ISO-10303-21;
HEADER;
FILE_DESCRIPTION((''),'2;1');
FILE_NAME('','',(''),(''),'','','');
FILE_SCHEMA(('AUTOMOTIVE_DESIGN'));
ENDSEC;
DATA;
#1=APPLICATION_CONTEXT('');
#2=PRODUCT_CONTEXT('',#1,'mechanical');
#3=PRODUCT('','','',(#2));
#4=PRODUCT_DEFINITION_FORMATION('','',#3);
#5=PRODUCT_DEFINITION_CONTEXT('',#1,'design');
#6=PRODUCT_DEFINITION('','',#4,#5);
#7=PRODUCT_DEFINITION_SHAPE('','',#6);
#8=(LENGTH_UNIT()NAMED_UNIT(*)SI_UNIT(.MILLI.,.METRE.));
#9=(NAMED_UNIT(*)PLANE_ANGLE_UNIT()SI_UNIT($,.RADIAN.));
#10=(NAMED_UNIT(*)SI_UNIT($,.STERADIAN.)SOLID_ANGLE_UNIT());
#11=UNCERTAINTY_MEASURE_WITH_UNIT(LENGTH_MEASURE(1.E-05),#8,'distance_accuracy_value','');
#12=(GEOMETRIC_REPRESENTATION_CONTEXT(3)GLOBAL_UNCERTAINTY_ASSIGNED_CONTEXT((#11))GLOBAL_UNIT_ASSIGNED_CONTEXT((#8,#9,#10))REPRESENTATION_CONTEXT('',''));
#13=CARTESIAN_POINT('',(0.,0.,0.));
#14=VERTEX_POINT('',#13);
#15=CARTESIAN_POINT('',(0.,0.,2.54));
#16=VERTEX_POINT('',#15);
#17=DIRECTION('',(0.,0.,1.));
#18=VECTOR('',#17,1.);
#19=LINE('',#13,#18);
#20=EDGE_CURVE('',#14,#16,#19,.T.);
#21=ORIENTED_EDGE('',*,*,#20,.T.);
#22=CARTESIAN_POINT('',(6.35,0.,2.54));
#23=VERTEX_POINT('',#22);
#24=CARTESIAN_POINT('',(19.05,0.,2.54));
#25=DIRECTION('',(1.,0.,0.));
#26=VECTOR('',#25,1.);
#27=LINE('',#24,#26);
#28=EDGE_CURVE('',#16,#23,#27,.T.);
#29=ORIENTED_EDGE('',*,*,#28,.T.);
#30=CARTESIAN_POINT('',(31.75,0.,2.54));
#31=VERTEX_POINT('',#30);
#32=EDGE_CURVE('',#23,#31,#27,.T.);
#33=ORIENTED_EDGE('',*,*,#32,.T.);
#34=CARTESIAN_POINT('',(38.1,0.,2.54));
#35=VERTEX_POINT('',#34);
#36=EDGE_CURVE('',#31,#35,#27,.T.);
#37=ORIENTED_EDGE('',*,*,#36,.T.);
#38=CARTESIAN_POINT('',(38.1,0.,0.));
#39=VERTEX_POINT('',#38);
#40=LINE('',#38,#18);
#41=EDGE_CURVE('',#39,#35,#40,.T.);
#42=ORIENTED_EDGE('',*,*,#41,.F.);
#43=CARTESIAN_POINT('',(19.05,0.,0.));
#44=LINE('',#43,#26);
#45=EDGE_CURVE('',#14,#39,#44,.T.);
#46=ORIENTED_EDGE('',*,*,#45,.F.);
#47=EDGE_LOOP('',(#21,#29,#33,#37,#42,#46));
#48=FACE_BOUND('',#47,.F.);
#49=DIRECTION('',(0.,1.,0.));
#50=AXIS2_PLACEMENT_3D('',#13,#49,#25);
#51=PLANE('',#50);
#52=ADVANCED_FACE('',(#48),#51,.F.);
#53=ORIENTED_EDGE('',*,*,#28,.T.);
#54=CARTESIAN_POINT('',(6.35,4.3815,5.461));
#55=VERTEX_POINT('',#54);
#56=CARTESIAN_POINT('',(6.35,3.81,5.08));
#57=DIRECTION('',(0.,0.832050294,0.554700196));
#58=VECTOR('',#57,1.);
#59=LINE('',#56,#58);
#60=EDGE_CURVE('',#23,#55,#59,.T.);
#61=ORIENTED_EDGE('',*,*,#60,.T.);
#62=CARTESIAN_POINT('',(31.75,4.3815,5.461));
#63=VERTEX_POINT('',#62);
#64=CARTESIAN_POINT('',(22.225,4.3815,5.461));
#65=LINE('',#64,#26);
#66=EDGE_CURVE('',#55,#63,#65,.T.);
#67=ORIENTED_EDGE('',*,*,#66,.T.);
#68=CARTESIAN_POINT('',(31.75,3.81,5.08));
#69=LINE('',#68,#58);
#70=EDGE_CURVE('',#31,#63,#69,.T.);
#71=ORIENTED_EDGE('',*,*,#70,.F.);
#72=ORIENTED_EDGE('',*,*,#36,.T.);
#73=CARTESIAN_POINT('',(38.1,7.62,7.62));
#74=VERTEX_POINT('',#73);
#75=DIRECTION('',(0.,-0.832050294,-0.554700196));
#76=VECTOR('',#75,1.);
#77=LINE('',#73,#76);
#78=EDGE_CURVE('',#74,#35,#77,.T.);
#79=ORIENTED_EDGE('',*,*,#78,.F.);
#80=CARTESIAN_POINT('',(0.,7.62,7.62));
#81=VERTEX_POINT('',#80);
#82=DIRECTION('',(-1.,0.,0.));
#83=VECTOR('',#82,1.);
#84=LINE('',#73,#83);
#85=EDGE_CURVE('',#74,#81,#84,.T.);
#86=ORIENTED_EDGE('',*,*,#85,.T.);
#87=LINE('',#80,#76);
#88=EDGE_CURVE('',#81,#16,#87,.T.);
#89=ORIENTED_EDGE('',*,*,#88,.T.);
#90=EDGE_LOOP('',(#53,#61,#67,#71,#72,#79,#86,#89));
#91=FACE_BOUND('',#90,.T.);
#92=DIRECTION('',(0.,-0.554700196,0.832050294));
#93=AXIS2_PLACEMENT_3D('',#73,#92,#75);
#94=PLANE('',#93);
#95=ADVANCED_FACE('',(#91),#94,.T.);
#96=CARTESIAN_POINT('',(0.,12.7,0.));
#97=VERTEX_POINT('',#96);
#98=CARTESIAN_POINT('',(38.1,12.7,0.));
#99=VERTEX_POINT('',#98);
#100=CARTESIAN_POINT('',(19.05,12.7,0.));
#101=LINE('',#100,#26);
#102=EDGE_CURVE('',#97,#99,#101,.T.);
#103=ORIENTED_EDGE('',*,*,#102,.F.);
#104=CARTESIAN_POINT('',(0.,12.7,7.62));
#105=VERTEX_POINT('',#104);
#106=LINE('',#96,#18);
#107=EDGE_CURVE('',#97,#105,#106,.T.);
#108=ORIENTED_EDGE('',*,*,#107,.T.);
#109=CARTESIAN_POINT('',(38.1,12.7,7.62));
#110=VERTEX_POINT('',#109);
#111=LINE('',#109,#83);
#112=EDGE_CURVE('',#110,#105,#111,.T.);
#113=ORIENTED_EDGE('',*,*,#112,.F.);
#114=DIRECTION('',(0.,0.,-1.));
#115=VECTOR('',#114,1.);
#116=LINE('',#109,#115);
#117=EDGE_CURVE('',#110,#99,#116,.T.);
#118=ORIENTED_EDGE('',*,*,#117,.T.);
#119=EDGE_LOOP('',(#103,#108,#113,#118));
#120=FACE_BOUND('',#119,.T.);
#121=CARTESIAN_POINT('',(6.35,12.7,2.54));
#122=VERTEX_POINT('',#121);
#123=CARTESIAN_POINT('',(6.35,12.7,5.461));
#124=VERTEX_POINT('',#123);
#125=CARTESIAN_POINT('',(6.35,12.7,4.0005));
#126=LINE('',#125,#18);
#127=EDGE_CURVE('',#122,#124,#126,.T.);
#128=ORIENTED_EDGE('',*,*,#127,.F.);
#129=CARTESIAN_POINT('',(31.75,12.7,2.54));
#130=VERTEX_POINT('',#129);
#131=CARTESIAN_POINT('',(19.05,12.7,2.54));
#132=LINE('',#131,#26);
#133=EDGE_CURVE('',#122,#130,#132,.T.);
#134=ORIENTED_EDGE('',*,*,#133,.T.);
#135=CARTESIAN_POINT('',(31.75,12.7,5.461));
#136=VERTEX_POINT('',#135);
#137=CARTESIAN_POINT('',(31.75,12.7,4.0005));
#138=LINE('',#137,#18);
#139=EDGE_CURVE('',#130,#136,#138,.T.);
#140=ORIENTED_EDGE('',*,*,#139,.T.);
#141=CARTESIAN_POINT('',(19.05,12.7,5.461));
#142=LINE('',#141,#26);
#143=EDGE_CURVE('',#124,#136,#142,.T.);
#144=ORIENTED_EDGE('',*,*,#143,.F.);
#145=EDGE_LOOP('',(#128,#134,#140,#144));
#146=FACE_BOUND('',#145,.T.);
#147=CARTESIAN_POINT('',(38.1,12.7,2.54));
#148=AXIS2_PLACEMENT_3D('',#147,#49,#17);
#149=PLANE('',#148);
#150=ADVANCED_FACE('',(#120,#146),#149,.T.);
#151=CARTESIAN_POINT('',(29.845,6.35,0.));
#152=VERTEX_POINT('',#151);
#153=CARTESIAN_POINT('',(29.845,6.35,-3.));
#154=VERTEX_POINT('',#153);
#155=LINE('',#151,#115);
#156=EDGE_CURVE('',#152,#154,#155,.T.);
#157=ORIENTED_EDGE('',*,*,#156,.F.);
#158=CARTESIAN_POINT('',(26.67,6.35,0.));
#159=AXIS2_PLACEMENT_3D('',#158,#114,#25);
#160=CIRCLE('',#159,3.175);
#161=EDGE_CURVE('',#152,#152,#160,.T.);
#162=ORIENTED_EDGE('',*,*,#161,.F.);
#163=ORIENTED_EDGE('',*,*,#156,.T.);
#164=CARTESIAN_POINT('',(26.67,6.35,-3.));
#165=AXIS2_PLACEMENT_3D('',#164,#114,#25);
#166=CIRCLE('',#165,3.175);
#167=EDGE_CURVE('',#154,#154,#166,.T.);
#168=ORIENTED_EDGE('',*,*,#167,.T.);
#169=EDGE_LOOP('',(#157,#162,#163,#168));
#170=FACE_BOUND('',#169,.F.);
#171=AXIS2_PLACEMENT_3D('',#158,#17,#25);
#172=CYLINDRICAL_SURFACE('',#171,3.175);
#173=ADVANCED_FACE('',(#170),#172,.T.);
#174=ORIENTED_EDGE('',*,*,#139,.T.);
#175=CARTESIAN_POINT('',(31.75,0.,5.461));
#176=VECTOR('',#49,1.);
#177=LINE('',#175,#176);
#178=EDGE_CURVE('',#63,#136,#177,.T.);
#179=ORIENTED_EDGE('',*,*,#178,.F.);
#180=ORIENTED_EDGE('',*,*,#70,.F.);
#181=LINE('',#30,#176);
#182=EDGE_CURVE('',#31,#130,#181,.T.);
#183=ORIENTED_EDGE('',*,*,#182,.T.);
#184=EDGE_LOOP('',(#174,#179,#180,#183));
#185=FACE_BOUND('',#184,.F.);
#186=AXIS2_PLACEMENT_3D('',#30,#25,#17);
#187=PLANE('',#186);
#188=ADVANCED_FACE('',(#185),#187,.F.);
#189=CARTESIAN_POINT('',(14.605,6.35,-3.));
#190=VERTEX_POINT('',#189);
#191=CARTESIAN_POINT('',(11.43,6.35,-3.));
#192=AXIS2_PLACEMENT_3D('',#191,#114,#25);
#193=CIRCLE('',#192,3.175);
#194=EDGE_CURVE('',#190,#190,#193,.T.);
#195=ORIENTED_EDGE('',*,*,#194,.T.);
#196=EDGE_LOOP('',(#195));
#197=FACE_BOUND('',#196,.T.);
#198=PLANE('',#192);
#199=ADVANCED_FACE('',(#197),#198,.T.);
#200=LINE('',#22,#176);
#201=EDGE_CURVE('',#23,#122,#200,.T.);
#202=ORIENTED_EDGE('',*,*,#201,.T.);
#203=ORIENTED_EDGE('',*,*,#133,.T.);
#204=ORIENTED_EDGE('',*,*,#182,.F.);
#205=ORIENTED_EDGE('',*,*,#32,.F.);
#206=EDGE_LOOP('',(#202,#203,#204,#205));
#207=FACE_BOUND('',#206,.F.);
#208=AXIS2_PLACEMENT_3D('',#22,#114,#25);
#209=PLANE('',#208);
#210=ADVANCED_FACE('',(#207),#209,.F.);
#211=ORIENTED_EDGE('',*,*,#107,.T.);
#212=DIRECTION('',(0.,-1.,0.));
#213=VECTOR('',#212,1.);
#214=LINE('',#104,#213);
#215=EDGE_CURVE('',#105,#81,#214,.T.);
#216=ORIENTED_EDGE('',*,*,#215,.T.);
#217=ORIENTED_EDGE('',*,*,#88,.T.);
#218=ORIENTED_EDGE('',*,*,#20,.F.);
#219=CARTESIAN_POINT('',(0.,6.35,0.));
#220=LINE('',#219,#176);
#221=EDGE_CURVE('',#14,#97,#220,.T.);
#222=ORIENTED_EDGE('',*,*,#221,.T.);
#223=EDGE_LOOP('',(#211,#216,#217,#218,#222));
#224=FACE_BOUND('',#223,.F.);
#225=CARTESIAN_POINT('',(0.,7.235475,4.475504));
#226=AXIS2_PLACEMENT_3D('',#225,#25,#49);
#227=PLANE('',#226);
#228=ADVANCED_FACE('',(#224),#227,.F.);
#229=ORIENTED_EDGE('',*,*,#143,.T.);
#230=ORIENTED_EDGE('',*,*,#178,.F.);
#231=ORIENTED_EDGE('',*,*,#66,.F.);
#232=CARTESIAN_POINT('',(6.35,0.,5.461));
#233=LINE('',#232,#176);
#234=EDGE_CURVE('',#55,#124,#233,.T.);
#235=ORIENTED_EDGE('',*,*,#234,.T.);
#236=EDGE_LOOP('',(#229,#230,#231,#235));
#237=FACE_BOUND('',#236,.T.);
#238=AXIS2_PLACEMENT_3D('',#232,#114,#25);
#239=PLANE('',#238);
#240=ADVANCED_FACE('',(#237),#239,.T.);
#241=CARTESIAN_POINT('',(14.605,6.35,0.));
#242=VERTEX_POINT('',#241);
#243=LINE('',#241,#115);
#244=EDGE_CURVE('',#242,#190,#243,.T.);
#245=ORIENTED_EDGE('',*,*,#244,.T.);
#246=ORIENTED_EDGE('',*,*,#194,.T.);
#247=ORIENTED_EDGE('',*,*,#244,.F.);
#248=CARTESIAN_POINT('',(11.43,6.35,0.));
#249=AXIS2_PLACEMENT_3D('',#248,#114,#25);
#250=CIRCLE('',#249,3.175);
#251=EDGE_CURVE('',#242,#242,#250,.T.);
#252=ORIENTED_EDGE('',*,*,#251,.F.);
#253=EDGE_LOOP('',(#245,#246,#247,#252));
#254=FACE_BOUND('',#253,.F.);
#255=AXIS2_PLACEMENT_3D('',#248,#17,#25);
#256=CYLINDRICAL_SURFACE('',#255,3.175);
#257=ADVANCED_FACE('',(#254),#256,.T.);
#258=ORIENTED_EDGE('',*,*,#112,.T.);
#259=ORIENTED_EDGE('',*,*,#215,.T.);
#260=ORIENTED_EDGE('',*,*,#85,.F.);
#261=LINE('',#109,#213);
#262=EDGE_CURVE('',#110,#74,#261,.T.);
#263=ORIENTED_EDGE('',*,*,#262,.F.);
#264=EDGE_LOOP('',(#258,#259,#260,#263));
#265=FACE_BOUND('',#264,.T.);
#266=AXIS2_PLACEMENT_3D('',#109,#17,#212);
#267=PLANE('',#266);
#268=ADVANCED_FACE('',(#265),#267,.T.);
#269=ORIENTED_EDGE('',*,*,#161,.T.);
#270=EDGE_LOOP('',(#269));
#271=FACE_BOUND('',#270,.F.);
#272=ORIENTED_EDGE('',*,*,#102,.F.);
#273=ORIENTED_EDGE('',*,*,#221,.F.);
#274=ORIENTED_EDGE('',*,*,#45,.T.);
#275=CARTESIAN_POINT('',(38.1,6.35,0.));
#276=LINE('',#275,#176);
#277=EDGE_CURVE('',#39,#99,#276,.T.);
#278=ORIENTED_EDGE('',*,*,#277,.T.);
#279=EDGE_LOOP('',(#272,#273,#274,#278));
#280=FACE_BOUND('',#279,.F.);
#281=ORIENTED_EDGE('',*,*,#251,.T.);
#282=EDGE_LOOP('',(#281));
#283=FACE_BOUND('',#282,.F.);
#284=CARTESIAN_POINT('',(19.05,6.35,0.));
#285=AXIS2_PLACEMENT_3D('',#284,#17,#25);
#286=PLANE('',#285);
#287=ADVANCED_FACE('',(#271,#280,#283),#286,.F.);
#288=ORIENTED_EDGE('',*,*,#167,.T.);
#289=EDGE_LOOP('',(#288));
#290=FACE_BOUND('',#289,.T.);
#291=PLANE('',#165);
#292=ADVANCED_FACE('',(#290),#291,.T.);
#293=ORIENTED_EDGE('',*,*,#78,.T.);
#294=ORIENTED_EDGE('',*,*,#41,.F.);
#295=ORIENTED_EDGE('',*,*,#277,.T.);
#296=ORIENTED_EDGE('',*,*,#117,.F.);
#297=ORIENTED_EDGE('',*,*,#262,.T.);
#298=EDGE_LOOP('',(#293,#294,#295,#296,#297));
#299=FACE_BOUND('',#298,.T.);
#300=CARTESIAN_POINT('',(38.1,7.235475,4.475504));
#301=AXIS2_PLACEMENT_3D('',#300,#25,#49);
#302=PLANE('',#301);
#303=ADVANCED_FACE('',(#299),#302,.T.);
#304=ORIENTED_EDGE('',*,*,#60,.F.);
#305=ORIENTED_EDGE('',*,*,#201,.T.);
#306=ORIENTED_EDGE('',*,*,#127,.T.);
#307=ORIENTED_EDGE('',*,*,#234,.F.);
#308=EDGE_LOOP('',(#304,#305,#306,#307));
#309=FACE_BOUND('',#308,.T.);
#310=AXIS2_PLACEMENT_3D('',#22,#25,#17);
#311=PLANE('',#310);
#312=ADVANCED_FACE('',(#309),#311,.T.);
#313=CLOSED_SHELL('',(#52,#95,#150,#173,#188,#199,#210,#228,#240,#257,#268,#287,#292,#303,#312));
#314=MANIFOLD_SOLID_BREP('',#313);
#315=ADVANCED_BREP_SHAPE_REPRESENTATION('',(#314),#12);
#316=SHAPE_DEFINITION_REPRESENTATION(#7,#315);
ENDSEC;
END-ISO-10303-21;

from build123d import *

# Parameters (mm, degrees)
F0_W     = 38.1
F0_H     = 12.7
F1_DEPTH = 2.54
F3_DEPTH = 38.1
F4_W     = 25.4
F4_H     = 2.921
F5_DEPTH = 12.7
F6_R     = 3.175
F7_DEPTH = 3


with BuildPart() as f1:
    # F0 (on Top) → F1 (new body)
    with BuildSketch(Plane.XY):
        with Locations((19.05, 6.35)):
            Rectangle(F0_W, F0_H)
    extrude(amount=F1_DEPTH)

    # F2 (on face) → F3 (join)
    with BuildSketch(Plane.YZ.offset(38.1)):
        Polygon((0, 2.54), (12.7, 2.54), (12.7, 7.62), (7.62, 7.62), align=None)
    extrude(amount=-F3_DEPTH)

    # F4 (on face) → F5 (cut)
    with BuildSketch(Plane.XZ):
        with Locations((19.05, 4.0005)):
            Rectangle(F4_W, F4_H)
    extrude(amount=-F5_DEPTH, mode=Mode.SUBTRACT)

    # F6 (on face) → F7 (join)
    with BuildSketch(Plane(origin=(0, 0, 0), x_dir=(1, 0, 0), z_dir=(0, 0, -1))):
        with Locations((11.43, -6.35)):
            Circle(F6_R)
        with Locations((26.67, -6.35)):
            Circle(F6_R)
    extrude(amount=F7_DEPTH)


solid = f1.part
